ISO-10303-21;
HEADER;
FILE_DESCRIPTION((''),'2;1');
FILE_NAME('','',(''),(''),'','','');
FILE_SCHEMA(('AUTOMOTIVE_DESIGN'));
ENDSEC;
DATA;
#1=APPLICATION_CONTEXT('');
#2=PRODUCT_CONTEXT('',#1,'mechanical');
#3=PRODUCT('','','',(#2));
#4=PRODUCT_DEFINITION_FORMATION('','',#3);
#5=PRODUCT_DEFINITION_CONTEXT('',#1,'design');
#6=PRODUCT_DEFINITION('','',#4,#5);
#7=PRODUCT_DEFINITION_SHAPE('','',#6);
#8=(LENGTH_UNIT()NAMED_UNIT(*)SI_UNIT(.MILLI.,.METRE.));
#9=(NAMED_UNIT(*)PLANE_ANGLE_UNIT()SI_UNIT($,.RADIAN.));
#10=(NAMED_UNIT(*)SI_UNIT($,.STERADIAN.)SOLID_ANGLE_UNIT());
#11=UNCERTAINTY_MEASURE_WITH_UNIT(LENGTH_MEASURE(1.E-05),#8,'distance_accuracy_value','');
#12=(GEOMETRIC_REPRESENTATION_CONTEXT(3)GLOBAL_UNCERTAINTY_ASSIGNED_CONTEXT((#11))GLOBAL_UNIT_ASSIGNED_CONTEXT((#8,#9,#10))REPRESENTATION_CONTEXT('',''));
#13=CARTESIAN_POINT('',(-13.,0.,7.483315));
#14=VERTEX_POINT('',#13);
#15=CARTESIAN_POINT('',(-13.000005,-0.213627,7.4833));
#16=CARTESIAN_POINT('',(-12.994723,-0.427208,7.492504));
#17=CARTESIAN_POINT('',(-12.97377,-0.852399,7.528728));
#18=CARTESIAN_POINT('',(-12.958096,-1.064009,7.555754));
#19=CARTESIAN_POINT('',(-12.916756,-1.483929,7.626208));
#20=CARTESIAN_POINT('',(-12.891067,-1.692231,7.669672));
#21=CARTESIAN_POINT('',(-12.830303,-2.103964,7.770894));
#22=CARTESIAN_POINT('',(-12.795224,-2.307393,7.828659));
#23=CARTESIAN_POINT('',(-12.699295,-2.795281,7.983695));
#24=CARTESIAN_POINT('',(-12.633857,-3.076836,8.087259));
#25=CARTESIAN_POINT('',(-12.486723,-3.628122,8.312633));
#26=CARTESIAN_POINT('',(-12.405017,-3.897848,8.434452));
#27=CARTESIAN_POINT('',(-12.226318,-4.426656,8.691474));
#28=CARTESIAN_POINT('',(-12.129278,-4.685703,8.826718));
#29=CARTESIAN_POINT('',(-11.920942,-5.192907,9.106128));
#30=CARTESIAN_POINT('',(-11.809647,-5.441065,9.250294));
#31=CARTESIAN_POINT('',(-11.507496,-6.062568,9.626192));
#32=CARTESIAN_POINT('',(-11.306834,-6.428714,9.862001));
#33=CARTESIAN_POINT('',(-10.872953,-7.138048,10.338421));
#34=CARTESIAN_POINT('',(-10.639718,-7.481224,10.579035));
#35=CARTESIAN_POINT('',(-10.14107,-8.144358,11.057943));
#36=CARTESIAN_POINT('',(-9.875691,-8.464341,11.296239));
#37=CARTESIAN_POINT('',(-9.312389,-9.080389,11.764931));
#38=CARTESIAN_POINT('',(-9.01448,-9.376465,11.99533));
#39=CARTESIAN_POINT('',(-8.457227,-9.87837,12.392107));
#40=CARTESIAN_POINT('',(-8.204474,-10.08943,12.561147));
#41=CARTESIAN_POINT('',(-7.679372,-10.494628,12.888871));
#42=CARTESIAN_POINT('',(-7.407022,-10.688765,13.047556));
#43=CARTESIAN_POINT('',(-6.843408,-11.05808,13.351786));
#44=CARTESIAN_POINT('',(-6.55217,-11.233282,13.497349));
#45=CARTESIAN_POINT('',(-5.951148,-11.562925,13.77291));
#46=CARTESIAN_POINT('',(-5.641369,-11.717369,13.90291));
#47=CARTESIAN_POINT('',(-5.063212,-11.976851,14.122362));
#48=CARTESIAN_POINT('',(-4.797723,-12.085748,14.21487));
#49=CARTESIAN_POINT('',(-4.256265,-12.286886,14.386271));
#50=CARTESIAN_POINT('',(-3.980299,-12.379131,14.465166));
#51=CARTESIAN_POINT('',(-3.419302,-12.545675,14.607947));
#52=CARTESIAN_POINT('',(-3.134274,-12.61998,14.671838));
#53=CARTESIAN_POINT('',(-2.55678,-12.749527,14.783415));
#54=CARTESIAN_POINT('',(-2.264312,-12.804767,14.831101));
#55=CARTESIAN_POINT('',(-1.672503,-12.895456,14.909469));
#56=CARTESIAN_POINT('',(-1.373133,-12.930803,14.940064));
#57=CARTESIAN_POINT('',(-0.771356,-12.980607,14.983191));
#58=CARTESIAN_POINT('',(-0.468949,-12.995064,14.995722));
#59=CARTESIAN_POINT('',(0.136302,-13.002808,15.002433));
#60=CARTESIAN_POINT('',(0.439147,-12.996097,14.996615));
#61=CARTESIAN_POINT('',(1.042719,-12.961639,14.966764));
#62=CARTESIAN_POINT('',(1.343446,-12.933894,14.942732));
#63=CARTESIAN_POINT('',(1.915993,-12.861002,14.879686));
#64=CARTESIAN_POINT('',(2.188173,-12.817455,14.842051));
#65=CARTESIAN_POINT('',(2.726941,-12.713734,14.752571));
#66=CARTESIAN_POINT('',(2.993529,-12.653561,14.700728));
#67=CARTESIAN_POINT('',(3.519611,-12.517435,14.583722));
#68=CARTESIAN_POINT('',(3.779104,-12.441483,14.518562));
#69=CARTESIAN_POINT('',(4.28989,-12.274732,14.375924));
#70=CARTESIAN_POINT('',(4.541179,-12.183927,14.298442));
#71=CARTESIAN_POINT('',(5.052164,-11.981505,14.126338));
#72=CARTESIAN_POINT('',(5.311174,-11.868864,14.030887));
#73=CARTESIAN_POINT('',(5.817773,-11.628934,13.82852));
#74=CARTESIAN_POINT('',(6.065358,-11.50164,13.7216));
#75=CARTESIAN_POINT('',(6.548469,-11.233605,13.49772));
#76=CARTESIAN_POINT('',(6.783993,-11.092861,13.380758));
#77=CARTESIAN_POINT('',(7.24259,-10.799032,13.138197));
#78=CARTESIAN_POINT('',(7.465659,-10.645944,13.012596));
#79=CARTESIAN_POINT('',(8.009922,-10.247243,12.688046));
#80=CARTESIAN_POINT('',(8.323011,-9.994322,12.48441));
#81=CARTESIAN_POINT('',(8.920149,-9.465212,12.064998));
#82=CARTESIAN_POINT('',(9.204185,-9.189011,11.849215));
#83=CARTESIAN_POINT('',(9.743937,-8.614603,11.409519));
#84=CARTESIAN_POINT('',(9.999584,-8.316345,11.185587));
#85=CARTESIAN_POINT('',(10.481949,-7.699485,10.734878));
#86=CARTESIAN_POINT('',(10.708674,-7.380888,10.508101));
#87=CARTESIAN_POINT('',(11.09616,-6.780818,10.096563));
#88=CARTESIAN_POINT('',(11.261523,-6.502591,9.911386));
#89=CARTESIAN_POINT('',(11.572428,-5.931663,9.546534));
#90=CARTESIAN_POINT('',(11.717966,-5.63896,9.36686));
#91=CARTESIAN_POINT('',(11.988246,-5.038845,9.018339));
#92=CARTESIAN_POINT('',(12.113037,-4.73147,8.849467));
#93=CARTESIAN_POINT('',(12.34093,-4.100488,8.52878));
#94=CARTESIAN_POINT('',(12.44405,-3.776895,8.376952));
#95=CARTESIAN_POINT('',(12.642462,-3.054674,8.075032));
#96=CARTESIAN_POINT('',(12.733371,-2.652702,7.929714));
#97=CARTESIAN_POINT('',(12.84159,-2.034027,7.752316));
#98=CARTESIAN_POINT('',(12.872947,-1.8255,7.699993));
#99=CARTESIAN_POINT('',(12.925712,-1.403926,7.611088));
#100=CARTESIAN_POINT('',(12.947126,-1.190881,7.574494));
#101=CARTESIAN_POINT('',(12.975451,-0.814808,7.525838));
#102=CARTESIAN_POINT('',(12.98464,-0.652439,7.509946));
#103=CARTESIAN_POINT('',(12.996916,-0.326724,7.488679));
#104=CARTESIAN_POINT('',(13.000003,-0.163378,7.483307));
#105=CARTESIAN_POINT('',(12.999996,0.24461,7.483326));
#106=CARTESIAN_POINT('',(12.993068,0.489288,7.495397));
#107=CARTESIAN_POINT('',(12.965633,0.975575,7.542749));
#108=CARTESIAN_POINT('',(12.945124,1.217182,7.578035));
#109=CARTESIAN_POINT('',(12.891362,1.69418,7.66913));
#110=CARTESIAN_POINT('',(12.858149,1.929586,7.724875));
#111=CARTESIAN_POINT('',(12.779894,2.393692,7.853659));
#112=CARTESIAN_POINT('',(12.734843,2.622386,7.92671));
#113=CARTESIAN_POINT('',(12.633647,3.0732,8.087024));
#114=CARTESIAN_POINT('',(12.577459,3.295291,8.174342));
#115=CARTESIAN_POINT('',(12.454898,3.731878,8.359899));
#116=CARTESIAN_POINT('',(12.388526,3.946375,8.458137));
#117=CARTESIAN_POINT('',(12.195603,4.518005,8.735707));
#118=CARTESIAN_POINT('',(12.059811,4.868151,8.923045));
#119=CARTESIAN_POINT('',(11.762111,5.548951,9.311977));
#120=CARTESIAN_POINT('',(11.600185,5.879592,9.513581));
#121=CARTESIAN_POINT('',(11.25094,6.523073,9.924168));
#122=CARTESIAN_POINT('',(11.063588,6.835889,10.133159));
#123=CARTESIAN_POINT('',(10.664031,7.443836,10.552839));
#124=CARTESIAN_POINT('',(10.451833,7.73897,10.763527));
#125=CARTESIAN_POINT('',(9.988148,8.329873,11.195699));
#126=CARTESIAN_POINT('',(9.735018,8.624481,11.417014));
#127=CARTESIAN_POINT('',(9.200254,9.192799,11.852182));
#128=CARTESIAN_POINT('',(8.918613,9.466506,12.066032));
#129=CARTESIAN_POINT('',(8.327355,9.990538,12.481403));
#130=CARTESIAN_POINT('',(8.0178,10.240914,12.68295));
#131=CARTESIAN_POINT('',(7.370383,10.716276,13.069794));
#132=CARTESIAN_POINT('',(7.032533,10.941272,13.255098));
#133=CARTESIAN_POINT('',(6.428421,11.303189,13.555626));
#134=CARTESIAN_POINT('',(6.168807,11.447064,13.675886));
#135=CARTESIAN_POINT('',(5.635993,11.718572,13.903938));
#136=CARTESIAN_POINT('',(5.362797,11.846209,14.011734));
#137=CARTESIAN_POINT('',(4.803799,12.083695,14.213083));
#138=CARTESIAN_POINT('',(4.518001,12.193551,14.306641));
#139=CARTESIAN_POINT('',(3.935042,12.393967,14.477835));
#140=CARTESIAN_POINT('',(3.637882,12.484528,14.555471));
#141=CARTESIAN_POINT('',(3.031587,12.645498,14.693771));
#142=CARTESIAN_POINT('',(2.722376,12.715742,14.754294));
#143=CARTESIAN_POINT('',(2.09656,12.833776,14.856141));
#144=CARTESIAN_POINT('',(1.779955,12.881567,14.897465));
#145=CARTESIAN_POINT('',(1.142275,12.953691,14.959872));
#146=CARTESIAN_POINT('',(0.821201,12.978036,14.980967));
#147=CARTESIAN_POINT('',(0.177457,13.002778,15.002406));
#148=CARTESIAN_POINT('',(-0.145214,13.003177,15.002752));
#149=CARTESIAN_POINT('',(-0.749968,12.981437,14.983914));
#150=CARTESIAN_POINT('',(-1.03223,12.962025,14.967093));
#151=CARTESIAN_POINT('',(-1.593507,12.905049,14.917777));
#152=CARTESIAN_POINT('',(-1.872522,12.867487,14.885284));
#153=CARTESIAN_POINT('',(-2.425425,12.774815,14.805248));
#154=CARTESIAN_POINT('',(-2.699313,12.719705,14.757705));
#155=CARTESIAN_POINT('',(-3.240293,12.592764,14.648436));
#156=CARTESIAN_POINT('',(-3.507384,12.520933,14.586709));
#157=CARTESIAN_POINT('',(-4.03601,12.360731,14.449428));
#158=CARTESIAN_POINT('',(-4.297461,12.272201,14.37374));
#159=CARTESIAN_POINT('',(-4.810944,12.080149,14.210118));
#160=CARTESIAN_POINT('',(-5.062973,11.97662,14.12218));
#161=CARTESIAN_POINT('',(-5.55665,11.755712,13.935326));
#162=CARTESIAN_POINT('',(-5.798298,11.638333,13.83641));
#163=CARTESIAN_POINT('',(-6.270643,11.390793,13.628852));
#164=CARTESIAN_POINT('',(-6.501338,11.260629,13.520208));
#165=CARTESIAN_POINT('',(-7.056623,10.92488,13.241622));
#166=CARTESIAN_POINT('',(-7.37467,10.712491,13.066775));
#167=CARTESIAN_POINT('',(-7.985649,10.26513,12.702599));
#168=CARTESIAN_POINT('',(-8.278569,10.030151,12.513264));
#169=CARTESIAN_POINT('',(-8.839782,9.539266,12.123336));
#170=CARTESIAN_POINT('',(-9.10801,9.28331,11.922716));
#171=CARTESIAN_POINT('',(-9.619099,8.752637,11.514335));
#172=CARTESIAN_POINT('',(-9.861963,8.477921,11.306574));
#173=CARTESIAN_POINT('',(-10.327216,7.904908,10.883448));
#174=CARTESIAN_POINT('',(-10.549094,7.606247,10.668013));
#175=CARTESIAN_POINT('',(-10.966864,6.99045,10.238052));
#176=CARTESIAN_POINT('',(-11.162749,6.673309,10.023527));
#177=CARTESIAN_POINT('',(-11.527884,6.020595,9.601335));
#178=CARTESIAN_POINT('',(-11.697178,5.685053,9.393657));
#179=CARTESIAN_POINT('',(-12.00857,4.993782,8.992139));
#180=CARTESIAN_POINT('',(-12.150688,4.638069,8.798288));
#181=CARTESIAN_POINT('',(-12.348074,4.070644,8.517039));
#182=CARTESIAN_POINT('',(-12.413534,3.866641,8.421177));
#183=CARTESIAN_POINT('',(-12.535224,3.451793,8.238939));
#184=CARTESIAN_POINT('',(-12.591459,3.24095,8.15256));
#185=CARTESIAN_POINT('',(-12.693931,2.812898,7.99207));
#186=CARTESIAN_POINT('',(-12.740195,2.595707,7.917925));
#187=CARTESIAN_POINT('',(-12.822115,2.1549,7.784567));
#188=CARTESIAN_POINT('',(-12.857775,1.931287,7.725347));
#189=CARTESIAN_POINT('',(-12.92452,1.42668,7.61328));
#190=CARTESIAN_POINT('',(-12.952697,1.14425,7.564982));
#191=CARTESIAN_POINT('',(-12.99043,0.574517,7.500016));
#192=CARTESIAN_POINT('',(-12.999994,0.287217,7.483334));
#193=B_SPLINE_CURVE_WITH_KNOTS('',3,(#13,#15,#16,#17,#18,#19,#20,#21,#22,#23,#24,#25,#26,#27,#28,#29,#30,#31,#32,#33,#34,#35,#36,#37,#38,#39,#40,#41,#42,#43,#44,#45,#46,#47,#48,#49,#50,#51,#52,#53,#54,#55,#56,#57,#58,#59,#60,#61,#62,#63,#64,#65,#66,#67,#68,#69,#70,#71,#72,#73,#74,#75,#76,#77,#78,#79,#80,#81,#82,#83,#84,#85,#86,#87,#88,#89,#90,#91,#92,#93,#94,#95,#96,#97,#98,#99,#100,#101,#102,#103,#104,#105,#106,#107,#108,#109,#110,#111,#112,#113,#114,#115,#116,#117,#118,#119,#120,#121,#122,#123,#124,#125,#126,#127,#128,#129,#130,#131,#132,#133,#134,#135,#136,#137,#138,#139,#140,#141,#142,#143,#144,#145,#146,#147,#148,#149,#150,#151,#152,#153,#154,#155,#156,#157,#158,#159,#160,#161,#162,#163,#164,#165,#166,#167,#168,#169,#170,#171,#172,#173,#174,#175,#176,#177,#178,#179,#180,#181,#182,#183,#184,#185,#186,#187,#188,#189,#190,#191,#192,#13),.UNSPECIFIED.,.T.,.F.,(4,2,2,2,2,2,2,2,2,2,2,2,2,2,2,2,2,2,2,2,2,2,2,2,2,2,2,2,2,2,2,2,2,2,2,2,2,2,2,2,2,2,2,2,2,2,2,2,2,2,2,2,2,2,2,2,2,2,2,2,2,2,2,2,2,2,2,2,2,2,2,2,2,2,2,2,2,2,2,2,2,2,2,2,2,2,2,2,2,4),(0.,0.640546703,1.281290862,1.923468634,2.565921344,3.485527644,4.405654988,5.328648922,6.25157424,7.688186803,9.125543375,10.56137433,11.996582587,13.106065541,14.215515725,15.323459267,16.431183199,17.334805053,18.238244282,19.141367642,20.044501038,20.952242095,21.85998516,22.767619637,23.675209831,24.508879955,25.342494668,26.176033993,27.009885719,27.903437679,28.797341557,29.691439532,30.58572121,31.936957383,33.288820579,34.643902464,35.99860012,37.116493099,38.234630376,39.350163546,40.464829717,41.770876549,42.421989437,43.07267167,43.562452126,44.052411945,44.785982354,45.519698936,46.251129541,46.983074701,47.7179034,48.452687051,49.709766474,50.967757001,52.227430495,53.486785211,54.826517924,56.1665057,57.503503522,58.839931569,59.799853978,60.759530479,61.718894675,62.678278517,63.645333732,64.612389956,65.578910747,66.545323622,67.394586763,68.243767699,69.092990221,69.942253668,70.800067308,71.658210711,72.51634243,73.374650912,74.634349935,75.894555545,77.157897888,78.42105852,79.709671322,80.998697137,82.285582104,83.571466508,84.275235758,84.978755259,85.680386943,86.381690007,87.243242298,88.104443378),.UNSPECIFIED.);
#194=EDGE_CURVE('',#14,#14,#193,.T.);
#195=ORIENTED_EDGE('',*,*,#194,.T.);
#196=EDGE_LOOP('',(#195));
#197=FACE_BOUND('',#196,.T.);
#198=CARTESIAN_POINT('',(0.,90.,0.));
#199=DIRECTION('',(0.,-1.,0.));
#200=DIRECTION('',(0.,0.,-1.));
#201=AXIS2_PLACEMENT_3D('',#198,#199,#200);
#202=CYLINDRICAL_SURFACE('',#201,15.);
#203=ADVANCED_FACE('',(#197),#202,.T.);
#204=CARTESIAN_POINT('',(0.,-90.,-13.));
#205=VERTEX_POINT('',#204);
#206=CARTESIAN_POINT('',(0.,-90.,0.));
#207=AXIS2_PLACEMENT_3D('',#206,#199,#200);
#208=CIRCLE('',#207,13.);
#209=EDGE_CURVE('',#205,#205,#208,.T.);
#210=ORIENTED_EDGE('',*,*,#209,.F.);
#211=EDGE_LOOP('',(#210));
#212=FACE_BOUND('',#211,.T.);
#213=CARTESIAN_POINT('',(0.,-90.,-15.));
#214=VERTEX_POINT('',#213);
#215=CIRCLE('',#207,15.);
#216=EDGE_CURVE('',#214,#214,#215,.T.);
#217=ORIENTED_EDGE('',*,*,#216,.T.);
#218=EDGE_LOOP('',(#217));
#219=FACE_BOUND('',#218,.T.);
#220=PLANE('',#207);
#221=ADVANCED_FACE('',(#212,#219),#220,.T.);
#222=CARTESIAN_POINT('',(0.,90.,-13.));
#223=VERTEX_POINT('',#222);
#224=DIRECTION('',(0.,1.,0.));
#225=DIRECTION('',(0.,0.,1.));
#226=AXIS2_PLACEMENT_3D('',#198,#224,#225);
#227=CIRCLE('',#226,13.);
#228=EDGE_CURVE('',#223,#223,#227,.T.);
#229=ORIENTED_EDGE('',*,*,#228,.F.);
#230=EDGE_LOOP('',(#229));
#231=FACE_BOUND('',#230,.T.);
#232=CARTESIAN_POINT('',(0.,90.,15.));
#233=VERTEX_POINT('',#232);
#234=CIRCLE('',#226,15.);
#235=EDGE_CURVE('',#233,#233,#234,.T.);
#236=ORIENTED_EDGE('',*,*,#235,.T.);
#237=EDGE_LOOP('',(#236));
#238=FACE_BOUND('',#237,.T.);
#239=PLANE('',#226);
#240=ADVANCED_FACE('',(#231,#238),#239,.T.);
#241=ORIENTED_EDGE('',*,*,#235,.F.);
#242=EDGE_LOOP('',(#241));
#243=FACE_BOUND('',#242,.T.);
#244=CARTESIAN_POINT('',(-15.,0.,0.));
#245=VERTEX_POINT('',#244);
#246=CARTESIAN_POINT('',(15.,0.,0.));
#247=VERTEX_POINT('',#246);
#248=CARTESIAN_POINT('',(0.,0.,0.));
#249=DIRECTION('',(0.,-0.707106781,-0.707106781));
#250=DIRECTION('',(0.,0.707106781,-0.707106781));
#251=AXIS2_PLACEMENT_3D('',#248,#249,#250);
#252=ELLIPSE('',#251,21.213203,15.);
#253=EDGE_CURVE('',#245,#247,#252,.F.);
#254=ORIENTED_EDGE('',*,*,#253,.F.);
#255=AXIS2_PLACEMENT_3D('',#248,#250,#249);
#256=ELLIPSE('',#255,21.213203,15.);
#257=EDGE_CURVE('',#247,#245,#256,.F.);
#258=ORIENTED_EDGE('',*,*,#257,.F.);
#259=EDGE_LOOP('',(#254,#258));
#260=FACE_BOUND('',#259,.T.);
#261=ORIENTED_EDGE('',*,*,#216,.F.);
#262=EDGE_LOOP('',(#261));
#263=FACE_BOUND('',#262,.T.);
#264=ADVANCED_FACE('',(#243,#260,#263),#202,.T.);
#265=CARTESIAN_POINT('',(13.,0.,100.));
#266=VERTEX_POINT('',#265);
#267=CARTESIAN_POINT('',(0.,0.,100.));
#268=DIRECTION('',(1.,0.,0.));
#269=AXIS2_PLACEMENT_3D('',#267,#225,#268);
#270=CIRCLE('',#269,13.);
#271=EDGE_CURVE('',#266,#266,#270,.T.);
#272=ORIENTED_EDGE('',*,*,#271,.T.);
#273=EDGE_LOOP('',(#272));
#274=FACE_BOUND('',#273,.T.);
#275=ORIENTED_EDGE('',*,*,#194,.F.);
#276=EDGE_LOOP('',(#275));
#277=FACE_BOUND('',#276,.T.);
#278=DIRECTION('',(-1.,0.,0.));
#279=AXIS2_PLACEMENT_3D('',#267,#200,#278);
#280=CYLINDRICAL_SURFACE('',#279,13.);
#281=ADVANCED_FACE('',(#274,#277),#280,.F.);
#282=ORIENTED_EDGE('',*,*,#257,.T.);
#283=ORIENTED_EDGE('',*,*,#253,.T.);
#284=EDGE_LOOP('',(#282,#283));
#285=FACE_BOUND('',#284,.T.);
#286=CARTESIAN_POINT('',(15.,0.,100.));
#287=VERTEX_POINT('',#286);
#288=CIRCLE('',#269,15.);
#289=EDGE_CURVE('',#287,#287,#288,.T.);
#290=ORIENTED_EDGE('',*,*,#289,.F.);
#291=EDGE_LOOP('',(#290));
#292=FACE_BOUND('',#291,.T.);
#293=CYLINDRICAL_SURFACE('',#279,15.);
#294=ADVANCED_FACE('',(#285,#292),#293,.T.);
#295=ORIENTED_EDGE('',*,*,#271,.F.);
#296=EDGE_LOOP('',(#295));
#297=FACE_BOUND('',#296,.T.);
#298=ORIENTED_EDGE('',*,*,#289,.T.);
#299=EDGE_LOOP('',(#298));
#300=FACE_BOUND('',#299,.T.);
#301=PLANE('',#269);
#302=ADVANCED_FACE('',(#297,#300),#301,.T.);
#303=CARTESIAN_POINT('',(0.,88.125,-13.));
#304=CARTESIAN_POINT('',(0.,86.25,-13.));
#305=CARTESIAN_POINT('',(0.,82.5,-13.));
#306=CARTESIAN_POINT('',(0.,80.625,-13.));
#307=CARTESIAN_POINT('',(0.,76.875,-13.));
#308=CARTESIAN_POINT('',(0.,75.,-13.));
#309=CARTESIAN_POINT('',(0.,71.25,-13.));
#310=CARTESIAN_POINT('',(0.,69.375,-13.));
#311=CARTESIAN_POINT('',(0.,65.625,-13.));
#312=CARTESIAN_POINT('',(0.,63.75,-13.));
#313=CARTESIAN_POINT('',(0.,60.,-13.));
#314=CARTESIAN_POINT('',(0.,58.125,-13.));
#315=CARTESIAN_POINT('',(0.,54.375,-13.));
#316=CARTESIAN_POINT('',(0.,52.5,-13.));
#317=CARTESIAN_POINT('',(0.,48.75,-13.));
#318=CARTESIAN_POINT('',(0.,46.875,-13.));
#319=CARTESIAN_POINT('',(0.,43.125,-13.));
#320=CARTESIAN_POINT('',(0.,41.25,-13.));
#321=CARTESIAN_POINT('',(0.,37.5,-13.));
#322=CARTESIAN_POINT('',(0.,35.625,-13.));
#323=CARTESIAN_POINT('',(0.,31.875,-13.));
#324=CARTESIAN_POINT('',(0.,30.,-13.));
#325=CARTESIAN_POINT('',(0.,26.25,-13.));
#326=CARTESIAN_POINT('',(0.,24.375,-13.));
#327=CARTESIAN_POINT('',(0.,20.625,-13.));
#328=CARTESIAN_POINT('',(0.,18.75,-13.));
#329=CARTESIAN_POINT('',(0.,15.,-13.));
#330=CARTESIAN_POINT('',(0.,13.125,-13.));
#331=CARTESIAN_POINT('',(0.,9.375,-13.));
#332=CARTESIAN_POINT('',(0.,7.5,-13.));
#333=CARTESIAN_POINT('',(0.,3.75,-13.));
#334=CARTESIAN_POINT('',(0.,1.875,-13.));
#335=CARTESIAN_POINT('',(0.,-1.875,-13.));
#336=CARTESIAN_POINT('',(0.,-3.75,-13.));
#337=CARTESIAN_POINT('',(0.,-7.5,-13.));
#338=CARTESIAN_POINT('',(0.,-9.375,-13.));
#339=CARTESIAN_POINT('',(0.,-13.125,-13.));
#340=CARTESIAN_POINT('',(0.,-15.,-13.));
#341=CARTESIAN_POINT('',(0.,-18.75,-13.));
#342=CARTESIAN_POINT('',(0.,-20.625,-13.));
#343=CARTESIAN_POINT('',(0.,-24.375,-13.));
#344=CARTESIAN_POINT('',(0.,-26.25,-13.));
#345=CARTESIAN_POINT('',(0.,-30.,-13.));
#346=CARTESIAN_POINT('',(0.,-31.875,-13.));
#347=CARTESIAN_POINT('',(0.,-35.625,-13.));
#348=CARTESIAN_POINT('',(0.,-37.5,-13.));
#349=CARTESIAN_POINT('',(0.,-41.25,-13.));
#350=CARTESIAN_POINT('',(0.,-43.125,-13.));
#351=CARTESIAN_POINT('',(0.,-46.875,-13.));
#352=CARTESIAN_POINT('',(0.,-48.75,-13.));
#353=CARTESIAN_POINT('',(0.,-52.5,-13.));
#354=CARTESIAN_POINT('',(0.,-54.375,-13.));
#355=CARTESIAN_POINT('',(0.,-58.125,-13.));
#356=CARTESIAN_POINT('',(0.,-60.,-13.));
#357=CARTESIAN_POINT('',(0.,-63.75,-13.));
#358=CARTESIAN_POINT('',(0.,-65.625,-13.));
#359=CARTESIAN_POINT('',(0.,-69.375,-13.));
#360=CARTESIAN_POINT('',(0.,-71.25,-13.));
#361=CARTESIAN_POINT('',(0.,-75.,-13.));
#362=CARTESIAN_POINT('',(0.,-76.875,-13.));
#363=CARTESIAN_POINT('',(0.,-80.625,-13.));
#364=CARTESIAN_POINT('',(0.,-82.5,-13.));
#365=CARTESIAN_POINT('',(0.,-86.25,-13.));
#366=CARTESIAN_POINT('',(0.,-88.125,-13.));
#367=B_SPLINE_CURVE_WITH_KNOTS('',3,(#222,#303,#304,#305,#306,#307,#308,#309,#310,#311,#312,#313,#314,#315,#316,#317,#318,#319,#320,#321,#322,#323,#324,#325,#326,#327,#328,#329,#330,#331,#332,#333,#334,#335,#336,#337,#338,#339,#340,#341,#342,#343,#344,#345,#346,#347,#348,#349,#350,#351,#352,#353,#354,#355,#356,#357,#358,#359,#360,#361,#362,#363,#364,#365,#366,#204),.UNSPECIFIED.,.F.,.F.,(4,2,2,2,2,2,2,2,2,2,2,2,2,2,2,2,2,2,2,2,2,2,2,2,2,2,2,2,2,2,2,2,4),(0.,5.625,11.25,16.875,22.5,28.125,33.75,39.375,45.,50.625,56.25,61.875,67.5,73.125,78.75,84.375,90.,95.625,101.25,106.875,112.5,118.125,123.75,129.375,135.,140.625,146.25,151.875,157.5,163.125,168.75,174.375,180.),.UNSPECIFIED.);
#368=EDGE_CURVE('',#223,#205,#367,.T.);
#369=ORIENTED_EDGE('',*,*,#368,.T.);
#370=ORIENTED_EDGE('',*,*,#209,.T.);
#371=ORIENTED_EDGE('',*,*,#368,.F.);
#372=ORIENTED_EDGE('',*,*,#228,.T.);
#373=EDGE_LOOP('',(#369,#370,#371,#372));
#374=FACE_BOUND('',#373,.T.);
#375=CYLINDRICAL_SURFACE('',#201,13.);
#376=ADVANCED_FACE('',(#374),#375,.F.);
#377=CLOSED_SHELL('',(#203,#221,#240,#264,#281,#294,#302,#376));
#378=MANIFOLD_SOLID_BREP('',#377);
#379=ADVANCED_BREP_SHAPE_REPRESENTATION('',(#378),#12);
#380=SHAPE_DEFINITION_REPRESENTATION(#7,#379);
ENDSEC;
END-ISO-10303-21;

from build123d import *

# Parameters (mm, degrees)
SKETCH1_R               = 15
SKETCH1_R_2             = 13
BOSS_EXTRUDE1_DEPTH     = 100
SKETCH2_R               = 15
CUT_EXTRUDE1_DEPTH      = 100
CUT_EXTRUDE4_DEPTH      = 103.225241628
CUT_EXTRUDE4_DEPTH_BACK = 103.225241628
SKETCH3_R               = 15
SKETCH4_R               = 15
SKETCH4_R_2             = 13
BOSS_EXTRUDE3_DEPTH     = 90
BOSS_EXTRUDE4_START     = 90
SKETCH6_R               = 15
SKETCH6_R_2             = 13
BOSS_EXTRUDE4_DEPTH     = 90


with BuildPart() as part:
    # Sketch1 → Boss-Extrude1 (new body)
    with BuildSketch(Plane.XY):
        Circle(SKETCH1_R)
        Circle(SKETCH1_R_2, mode=Mode.SUBTRACT)
    extrude(amount=BOSS_EXTRUDE1_DEPTH)

    # Sketch2 → Cut-Extrude1 (cut)
    with BuildSketch(Plane(origin=(0, 0, 0), x_dir=(1, 0, 0), z_dir=(0, 1, 0))):
        Circle(SKETCH2_R)
    extrude(amount=-CUT_EXTRUDE1_DEPTH, mode=Mode.SUBTRACT)

    # Sketch3 → Cut-Extrude4 (cut, two sides: drawn at the far end of the back side and taken through both)
    with BuildSketch(Plane(origin=(0, 0, 0), x_dir=(1, 0, 0), z_dir=(0, 1, 0)).offset(-CUT_EXTRUDE4_DEPTH_BACK)):
        Circle(SKETCH3_R)
    extrude(amount=CUT_EXTRUDE4_DEPTH + CUT_EXTRUDE4_DEPTH_BACK, mode=Mode.SUBTRACT)

    # Sketch4 → Boss-Extrude3 (add)
    with BuildSketch(Plane(origin=(0, 0, 0), x_dir=(1, 0, 0), z_dir=(0, 1, 0))):
        with Locations(Location((0, 0, 0), (0, 0, 180))):
            Circle(SKETCH4_R)
        with Locations(Location((0, 0, 0), (0, 0, 90))):
            Circle(SKETCH4_R_2, mode=Mode.SUBTRACT)
    extrude(amount=BOSS_EXTRUDE3_DEPTH)

    # Sketch6 → Boss-Extrude4 (add)
    with BuildSketch(Plane.XZ.offset(BOSS_EXTRUDE4_START)):
        with Locations(Location((0, 0, 0), (0, 0, 270))):
            Circle(SKETCH6_R)
        with Locations(Location((0, 0, 0), (0, 0, 270))):
            Circle(SKETCH6_R_2, mode=Mode.SUBTRACT)
    extrude(amount=-BOSS_EXTRUDE4_DEPTH)


solid = part.part
